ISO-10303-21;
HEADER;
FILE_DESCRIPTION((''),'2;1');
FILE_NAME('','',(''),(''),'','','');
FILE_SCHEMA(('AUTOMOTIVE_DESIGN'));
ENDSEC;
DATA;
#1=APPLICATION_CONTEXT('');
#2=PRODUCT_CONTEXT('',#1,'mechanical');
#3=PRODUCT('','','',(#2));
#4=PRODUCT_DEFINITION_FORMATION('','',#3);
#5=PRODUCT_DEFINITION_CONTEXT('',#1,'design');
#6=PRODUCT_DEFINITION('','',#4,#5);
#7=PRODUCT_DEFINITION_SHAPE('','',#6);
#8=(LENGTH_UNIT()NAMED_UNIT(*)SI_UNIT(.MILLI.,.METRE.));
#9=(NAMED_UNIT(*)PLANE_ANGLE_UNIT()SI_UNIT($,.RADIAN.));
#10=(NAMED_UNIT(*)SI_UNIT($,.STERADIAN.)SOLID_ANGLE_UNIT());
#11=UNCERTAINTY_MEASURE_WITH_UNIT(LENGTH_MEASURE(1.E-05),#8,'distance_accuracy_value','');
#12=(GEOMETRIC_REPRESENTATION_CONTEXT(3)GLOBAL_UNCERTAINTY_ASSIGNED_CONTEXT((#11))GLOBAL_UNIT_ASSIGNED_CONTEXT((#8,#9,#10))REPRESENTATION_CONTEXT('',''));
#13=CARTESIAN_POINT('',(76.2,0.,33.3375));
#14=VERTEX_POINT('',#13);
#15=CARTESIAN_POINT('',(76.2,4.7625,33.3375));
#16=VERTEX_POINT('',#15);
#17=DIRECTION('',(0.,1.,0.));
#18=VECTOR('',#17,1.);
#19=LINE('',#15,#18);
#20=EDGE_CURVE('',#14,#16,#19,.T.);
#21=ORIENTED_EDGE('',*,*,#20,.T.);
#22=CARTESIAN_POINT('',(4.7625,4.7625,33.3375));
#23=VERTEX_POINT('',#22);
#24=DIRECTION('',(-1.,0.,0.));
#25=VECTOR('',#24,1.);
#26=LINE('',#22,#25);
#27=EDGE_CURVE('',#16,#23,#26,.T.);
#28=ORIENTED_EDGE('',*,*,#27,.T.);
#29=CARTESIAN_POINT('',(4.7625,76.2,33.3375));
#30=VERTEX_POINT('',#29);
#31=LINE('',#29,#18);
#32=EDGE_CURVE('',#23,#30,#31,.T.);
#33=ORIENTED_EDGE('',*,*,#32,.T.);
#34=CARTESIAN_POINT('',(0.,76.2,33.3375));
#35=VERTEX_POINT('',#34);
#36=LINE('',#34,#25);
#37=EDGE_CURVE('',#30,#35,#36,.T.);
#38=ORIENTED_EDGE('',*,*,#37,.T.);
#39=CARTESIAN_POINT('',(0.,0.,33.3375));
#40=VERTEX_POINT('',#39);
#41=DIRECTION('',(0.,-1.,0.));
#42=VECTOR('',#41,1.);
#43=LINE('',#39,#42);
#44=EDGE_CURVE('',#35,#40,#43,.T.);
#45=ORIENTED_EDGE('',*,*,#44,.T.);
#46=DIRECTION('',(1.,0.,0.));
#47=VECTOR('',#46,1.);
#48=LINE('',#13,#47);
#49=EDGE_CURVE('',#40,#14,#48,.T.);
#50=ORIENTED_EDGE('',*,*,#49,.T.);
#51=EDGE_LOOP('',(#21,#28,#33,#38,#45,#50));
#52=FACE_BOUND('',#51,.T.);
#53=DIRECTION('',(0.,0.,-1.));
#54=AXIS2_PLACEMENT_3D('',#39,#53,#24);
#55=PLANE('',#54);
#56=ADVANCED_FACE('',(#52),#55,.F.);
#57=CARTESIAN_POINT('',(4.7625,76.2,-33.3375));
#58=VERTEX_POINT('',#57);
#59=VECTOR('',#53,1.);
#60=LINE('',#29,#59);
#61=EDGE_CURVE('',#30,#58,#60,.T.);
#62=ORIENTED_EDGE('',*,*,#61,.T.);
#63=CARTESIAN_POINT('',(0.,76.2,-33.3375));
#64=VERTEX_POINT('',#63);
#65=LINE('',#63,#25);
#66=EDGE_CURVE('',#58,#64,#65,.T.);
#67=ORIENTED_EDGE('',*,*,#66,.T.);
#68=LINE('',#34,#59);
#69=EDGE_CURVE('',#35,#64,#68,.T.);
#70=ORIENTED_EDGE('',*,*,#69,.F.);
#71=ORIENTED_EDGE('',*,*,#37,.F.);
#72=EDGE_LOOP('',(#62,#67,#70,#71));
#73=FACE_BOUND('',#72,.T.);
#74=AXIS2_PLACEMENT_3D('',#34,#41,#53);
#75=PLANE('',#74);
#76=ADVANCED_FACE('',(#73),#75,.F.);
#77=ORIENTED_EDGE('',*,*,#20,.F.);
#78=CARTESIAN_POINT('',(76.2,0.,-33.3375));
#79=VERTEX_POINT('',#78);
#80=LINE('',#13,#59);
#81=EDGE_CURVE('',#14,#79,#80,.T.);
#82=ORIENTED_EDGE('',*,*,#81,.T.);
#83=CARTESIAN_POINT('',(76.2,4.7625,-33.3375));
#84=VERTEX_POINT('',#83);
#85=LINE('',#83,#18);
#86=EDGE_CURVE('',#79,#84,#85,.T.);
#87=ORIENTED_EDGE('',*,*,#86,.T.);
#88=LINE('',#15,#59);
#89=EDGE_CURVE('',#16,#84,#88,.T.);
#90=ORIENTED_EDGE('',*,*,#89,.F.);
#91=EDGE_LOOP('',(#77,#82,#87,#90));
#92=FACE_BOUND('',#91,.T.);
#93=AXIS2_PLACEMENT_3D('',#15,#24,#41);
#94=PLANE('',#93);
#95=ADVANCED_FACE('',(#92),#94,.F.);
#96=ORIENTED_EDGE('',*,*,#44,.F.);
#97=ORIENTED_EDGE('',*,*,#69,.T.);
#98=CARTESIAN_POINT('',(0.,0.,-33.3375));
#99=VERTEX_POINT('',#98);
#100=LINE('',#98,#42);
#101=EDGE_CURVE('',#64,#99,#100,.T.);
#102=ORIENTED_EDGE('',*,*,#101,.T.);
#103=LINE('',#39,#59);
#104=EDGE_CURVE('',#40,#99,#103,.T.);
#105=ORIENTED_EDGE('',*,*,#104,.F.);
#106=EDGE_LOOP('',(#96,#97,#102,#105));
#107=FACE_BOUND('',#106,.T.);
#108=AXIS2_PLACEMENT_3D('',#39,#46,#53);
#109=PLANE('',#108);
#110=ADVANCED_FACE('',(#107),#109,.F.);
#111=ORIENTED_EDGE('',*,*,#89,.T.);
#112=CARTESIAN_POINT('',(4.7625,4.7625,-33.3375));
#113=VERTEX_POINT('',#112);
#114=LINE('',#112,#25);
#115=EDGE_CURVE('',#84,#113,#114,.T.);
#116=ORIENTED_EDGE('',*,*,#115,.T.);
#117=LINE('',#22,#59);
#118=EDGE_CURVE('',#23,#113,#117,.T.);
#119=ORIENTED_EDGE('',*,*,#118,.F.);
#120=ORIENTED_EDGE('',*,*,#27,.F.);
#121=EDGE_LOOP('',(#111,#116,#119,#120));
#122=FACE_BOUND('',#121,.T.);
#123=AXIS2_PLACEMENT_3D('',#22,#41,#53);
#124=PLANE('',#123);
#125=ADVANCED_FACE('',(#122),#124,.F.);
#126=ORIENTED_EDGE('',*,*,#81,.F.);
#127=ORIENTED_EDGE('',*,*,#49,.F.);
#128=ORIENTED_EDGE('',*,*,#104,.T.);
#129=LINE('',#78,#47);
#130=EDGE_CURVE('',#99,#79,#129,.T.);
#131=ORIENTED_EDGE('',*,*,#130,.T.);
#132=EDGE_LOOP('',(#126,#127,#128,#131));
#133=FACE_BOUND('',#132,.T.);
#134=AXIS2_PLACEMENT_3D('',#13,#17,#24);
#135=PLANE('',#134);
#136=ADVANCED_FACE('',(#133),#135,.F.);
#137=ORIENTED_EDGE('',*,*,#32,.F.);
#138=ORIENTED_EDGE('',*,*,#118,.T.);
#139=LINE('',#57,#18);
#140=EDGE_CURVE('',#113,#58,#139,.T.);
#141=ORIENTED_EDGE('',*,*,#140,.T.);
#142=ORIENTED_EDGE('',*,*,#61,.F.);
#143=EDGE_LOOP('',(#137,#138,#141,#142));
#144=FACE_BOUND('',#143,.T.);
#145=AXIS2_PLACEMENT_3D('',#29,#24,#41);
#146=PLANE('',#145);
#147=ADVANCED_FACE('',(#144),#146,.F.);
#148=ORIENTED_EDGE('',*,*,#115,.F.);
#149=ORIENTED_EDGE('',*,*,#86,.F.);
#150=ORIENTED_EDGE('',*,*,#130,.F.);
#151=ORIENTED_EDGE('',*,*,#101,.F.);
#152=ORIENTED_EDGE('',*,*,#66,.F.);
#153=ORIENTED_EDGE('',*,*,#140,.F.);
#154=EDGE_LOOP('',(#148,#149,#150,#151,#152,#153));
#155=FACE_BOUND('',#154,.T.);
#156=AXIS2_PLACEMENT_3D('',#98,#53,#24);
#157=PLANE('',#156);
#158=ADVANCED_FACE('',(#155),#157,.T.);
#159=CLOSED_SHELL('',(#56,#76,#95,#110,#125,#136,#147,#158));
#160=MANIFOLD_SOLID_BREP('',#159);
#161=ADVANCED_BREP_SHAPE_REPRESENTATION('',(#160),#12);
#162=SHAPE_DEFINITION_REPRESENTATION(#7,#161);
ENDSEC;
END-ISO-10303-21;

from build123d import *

# Parameters (mm, degrees)
BOSS_EXTRUDE1_DEPTH = 33.3375


with BuildPart() as part:
    # Sketch2 → Boss-Extrude1 (new body, symmetric)
    with BuildSketch(Plane.XY):
        Polygon((0, 0), (0, 76.2), (4.7625, 76.2), (4.7625, 4.7625), (76.2, 4.7625), (76.2, 0), align=None)
    extrude(amount=BOSS_EXTRUDE1_DEPTH, both=True)


solid = part.part
